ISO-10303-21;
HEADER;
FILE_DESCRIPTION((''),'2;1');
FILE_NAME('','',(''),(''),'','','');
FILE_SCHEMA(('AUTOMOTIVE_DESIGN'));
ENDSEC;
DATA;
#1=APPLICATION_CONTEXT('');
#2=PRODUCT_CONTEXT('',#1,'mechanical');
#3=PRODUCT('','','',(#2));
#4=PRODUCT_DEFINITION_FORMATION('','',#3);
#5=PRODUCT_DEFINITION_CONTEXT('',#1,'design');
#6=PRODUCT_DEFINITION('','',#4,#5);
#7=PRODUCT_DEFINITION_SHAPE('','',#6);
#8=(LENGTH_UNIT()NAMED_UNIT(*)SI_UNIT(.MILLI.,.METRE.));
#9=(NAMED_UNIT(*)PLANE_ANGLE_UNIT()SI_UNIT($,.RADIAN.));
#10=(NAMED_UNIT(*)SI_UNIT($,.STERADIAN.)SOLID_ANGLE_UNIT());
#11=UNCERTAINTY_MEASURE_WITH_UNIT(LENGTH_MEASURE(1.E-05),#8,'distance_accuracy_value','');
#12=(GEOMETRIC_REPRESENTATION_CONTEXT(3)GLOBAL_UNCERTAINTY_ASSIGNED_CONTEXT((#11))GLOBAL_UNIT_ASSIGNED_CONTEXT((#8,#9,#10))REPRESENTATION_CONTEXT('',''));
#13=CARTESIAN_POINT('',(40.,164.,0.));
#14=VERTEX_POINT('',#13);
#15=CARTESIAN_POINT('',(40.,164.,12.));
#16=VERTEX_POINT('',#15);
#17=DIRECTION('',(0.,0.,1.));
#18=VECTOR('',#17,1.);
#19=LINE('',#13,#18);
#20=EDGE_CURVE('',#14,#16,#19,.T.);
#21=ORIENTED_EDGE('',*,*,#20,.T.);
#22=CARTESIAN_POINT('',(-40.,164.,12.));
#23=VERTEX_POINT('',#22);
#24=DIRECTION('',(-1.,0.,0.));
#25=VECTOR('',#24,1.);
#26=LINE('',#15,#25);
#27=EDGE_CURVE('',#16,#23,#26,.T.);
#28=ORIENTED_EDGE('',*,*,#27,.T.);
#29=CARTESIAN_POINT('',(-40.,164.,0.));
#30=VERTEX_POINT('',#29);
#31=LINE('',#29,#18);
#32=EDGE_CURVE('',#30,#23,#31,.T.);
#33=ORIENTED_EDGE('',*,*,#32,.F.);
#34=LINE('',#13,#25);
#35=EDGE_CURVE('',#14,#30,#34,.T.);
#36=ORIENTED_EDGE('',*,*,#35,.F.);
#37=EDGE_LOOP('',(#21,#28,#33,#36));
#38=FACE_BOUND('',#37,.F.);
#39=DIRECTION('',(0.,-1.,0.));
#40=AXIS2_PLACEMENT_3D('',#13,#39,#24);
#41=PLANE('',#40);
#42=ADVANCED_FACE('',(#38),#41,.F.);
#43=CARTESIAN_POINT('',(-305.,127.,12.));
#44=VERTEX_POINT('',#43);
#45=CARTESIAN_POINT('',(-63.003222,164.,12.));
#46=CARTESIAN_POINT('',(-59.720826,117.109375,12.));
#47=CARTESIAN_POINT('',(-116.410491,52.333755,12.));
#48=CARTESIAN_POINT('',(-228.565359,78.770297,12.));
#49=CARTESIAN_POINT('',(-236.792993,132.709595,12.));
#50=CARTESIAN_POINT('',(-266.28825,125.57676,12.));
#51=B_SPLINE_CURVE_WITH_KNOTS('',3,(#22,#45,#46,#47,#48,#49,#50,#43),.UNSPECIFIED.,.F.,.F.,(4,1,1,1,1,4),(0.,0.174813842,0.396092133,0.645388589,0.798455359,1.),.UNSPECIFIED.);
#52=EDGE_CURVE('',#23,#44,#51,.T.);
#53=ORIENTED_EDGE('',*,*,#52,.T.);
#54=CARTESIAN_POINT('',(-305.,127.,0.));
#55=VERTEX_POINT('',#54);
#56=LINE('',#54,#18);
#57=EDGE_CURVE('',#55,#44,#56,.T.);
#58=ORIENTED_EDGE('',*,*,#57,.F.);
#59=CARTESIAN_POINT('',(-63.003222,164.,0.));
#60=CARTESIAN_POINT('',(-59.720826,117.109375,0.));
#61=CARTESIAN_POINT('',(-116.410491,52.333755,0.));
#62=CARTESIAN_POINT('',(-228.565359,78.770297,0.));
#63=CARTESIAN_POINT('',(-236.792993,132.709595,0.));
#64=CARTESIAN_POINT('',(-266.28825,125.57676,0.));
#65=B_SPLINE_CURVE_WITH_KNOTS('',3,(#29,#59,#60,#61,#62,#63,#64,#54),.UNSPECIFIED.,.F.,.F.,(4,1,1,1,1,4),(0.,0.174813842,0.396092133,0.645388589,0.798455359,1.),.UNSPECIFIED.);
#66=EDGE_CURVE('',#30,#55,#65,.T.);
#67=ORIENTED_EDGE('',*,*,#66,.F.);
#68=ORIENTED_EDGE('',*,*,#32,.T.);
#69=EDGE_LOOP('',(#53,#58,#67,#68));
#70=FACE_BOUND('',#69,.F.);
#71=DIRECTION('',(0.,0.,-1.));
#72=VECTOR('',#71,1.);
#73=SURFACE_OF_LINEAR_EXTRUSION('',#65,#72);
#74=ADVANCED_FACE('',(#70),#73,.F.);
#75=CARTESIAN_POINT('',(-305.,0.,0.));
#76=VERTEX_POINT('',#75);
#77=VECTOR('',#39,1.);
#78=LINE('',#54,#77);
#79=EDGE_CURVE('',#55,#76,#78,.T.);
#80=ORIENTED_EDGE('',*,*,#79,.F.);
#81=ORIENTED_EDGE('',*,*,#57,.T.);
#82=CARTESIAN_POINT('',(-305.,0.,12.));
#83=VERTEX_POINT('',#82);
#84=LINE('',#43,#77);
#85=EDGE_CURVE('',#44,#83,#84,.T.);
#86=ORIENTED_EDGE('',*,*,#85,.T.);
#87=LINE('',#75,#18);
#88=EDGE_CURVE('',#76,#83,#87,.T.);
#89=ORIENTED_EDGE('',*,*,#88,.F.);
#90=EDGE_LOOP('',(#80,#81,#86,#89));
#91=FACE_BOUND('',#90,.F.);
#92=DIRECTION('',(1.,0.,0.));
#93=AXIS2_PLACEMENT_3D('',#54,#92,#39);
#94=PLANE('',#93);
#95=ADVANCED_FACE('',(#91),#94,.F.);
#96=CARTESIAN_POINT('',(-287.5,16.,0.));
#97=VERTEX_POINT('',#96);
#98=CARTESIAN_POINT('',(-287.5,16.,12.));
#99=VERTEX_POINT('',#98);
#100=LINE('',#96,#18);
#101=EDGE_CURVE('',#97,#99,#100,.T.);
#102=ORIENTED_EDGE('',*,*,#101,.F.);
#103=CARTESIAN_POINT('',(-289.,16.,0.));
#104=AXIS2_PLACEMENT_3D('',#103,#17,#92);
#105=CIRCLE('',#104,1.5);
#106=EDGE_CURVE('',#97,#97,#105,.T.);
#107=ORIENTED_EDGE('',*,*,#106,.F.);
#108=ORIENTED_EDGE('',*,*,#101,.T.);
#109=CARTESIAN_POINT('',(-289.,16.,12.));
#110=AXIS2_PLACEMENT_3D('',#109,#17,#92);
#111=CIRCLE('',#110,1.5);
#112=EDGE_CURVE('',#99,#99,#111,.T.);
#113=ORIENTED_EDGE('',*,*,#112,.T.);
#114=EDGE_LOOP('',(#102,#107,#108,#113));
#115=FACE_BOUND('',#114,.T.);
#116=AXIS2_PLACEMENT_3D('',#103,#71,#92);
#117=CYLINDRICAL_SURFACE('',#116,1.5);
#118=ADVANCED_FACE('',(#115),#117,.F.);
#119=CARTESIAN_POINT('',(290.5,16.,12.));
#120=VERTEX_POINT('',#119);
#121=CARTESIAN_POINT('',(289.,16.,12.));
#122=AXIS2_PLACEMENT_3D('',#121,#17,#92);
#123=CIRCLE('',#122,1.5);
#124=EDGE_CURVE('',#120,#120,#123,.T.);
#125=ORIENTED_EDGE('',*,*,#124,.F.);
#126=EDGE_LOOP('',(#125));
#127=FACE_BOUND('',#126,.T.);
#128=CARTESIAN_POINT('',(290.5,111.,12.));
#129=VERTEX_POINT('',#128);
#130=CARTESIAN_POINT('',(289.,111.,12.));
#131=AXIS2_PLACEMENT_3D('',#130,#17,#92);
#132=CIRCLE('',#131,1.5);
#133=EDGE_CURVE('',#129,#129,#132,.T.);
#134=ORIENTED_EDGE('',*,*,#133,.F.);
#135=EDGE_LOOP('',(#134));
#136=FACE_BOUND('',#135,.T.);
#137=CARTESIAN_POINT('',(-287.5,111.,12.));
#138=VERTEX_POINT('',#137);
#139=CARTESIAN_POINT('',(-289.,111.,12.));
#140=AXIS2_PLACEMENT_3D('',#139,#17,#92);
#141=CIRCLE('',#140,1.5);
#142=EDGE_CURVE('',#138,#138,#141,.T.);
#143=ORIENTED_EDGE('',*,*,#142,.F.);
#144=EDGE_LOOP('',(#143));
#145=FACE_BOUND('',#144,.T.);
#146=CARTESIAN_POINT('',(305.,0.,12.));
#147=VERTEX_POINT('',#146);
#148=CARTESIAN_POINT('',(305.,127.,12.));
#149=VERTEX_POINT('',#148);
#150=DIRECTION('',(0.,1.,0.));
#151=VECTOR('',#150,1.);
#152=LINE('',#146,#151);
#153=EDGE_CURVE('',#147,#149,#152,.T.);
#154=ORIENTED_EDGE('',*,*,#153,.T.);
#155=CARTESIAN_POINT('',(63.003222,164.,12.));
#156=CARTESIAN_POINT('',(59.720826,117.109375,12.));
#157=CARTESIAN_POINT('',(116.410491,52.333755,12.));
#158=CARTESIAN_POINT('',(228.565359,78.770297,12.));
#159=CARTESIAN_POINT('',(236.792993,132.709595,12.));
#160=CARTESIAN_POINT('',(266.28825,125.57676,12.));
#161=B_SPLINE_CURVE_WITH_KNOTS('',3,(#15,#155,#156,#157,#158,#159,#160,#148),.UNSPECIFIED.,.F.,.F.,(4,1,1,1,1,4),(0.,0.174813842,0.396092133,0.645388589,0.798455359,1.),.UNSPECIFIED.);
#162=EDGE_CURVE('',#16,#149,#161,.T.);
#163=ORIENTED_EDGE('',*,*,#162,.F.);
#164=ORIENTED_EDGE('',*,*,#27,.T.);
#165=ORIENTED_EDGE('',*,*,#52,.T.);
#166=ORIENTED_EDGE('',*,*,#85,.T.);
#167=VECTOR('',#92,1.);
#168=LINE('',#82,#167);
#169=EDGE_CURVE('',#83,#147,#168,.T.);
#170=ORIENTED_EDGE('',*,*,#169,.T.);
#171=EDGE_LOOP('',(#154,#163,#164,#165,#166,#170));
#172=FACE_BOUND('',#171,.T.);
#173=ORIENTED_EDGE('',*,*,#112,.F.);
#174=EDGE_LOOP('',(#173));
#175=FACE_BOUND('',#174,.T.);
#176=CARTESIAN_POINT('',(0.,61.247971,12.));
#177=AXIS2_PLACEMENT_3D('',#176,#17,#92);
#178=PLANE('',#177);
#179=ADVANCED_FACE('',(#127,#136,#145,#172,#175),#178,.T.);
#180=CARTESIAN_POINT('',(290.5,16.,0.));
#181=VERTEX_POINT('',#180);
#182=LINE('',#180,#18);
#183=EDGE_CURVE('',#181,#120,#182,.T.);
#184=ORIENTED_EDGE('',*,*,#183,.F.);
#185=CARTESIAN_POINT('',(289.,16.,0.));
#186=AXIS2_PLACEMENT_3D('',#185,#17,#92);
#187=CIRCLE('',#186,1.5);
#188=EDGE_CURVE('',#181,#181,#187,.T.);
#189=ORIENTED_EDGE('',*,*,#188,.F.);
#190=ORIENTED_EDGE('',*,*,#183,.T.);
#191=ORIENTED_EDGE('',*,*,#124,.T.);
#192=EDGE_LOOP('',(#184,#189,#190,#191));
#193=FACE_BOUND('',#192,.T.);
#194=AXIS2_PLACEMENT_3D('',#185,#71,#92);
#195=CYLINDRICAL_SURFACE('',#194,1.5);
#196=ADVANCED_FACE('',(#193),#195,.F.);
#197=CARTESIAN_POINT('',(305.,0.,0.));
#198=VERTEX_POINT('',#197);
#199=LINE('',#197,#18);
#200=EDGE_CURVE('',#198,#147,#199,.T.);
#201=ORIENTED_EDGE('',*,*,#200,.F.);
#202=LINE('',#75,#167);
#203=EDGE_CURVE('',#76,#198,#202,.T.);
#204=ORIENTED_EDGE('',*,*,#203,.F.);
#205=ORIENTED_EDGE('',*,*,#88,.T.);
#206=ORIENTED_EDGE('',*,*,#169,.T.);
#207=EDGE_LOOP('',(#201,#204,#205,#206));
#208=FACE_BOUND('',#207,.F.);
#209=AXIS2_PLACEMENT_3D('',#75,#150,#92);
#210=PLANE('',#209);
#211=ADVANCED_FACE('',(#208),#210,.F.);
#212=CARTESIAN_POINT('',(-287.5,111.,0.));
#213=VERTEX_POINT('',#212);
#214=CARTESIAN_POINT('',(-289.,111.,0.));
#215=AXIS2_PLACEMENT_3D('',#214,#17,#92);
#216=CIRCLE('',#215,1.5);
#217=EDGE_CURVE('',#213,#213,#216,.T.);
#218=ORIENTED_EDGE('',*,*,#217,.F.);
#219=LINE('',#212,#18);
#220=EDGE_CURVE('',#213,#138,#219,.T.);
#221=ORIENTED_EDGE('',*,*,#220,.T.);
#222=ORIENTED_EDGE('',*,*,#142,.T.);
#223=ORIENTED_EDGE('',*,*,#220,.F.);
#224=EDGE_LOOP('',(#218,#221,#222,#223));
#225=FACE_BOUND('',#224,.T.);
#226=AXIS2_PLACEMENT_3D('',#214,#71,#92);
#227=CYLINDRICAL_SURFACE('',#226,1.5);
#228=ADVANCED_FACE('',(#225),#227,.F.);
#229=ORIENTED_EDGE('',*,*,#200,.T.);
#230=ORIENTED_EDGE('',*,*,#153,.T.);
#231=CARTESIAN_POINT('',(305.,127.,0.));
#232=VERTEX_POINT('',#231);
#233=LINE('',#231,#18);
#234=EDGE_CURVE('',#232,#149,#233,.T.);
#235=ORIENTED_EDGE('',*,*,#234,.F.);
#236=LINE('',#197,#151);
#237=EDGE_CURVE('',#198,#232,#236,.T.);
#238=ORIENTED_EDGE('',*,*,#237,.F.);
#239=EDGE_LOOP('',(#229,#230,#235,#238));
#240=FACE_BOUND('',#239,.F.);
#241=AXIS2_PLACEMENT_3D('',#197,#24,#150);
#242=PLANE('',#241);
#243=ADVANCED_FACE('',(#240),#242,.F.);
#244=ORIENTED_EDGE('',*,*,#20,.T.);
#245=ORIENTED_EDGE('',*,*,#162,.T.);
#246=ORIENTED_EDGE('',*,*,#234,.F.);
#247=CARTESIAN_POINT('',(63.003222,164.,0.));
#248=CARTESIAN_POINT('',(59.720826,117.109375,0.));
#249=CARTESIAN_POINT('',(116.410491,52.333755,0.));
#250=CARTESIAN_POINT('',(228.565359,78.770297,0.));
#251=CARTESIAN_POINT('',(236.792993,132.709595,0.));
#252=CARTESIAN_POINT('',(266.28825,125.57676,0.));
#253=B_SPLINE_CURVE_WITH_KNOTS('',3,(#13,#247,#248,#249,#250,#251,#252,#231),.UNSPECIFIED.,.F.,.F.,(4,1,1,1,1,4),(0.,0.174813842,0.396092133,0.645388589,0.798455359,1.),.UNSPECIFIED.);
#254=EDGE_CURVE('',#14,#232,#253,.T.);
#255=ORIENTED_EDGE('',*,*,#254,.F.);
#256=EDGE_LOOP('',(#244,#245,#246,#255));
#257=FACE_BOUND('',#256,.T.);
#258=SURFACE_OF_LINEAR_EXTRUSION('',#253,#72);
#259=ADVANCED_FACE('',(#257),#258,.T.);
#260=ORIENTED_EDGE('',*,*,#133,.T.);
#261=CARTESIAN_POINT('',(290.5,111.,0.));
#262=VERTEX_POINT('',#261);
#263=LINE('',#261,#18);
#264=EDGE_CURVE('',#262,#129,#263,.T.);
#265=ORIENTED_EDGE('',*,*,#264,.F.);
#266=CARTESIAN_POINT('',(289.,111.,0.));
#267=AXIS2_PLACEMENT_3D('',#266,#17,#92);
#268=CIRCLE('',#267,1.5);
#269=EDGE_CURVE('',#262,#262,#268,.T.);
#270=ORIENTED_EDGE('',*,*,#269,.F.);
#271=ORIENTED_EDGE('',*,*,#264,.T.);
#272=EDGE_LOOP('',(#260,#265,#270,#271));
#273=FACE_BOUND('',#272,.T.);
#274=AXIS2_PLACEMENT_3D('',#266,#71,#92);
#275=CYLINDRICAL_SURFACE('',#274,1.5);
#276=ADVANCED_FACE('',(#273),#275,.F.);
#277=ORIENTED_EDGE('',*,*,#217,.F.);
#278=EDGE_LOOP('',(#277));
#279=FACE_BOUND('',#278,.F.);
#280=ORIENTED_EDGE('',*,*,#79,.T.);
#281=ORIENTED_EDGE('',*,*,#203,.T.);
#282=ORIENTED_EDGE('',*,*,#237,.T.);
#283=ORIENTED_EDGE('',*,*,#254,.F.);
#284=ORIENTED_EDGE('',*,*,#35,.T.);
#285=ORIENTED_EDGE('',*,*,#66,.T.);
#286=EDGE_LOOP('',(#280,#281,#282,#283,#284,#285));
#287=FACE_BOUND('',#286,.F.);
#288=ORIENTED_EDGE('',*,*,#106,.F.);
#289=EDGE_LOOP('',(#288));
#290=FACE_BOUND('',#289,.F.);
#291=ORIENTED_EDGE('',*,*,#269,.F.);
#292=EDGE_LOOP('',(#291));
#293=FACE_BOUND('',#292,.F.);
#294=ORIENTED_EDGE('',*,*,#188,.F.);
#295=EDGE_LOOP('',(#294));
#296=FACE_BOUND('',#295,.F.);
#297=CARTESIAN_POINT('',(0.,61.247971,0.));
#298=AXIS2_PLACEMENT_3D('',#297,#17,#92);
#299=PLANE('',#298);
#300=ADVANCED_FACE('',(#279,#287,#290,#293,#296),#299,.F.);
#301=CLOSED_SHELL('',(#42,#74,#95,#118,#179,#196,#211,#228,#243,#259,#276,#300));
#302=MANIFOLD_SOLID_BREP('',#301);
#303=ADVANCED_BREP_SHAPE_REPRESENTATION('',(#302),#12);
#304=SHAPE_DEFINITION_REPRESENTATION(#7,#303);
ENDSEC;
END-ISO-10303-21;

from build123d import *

# Parameters (mm, degrees)
F0_R     = 1.5
F1_DEPTH = 12


with BuildPart() as f1:
    # F0 (on Top) → F1 (new body)
    with BuildSketch(Plane.XY):
        with BuildLine():
            Line((-305, 127), (-305, 0))
            Line((-305, 0), (305, 0))
            Line((305, 0), (305, 127))
            add(Edge.make_bspline(
                [(40, 164), (63.0032219505, 164), (59.7208262802, 117.1093754099), (116.4104909199, 52.333754949), (228.565359316, 78.7702971638), (236.7929925968, 132.7095947336), (266.2882495892, 125.576759851), (305, 127)],
                knots=[0, 0, 0, 0, 0.1748138419, 0.3960921326, 0.6453885895, 0.798455359, 1, 1, 1, 1], degree=3))
            Line((40, 164), (-40, 164))
            add(Edge.make_bspline(
                [(-40, 164), (-63.0032219505, 164), (-59.7208262802, 117.1093754099), (-116.4104909199, 52.333754949), (-228.565359316, 78.7702971638), (-236.7929925968, 132.7095947336), (-266.2882495892, 125.576759851), (-305, 127)],
                knots=[0, 0, 0, 0, 0.1748138419, 0.3960921326, 0.6453885895, 0.798455359, 1, 1, 1, 1], degree=3))
        make_face()
        with Locations((-289, 16)):
            Circle(F0_R, mode=Mode.SUBTRACT)
        with Locations((289, 16)):
            Circle(F0_R, mode=Mode.SUBTRACT)
        with Locations((-289, 111)):
            Circle(F0_R, mode=Mode.SUBTRACT)
        with Locations((289, 111)):
            Circle(F0_R, mode=Mode.SUBTRACT)
    extrude(amount=F1_DEPTH)


solid = f1.part
